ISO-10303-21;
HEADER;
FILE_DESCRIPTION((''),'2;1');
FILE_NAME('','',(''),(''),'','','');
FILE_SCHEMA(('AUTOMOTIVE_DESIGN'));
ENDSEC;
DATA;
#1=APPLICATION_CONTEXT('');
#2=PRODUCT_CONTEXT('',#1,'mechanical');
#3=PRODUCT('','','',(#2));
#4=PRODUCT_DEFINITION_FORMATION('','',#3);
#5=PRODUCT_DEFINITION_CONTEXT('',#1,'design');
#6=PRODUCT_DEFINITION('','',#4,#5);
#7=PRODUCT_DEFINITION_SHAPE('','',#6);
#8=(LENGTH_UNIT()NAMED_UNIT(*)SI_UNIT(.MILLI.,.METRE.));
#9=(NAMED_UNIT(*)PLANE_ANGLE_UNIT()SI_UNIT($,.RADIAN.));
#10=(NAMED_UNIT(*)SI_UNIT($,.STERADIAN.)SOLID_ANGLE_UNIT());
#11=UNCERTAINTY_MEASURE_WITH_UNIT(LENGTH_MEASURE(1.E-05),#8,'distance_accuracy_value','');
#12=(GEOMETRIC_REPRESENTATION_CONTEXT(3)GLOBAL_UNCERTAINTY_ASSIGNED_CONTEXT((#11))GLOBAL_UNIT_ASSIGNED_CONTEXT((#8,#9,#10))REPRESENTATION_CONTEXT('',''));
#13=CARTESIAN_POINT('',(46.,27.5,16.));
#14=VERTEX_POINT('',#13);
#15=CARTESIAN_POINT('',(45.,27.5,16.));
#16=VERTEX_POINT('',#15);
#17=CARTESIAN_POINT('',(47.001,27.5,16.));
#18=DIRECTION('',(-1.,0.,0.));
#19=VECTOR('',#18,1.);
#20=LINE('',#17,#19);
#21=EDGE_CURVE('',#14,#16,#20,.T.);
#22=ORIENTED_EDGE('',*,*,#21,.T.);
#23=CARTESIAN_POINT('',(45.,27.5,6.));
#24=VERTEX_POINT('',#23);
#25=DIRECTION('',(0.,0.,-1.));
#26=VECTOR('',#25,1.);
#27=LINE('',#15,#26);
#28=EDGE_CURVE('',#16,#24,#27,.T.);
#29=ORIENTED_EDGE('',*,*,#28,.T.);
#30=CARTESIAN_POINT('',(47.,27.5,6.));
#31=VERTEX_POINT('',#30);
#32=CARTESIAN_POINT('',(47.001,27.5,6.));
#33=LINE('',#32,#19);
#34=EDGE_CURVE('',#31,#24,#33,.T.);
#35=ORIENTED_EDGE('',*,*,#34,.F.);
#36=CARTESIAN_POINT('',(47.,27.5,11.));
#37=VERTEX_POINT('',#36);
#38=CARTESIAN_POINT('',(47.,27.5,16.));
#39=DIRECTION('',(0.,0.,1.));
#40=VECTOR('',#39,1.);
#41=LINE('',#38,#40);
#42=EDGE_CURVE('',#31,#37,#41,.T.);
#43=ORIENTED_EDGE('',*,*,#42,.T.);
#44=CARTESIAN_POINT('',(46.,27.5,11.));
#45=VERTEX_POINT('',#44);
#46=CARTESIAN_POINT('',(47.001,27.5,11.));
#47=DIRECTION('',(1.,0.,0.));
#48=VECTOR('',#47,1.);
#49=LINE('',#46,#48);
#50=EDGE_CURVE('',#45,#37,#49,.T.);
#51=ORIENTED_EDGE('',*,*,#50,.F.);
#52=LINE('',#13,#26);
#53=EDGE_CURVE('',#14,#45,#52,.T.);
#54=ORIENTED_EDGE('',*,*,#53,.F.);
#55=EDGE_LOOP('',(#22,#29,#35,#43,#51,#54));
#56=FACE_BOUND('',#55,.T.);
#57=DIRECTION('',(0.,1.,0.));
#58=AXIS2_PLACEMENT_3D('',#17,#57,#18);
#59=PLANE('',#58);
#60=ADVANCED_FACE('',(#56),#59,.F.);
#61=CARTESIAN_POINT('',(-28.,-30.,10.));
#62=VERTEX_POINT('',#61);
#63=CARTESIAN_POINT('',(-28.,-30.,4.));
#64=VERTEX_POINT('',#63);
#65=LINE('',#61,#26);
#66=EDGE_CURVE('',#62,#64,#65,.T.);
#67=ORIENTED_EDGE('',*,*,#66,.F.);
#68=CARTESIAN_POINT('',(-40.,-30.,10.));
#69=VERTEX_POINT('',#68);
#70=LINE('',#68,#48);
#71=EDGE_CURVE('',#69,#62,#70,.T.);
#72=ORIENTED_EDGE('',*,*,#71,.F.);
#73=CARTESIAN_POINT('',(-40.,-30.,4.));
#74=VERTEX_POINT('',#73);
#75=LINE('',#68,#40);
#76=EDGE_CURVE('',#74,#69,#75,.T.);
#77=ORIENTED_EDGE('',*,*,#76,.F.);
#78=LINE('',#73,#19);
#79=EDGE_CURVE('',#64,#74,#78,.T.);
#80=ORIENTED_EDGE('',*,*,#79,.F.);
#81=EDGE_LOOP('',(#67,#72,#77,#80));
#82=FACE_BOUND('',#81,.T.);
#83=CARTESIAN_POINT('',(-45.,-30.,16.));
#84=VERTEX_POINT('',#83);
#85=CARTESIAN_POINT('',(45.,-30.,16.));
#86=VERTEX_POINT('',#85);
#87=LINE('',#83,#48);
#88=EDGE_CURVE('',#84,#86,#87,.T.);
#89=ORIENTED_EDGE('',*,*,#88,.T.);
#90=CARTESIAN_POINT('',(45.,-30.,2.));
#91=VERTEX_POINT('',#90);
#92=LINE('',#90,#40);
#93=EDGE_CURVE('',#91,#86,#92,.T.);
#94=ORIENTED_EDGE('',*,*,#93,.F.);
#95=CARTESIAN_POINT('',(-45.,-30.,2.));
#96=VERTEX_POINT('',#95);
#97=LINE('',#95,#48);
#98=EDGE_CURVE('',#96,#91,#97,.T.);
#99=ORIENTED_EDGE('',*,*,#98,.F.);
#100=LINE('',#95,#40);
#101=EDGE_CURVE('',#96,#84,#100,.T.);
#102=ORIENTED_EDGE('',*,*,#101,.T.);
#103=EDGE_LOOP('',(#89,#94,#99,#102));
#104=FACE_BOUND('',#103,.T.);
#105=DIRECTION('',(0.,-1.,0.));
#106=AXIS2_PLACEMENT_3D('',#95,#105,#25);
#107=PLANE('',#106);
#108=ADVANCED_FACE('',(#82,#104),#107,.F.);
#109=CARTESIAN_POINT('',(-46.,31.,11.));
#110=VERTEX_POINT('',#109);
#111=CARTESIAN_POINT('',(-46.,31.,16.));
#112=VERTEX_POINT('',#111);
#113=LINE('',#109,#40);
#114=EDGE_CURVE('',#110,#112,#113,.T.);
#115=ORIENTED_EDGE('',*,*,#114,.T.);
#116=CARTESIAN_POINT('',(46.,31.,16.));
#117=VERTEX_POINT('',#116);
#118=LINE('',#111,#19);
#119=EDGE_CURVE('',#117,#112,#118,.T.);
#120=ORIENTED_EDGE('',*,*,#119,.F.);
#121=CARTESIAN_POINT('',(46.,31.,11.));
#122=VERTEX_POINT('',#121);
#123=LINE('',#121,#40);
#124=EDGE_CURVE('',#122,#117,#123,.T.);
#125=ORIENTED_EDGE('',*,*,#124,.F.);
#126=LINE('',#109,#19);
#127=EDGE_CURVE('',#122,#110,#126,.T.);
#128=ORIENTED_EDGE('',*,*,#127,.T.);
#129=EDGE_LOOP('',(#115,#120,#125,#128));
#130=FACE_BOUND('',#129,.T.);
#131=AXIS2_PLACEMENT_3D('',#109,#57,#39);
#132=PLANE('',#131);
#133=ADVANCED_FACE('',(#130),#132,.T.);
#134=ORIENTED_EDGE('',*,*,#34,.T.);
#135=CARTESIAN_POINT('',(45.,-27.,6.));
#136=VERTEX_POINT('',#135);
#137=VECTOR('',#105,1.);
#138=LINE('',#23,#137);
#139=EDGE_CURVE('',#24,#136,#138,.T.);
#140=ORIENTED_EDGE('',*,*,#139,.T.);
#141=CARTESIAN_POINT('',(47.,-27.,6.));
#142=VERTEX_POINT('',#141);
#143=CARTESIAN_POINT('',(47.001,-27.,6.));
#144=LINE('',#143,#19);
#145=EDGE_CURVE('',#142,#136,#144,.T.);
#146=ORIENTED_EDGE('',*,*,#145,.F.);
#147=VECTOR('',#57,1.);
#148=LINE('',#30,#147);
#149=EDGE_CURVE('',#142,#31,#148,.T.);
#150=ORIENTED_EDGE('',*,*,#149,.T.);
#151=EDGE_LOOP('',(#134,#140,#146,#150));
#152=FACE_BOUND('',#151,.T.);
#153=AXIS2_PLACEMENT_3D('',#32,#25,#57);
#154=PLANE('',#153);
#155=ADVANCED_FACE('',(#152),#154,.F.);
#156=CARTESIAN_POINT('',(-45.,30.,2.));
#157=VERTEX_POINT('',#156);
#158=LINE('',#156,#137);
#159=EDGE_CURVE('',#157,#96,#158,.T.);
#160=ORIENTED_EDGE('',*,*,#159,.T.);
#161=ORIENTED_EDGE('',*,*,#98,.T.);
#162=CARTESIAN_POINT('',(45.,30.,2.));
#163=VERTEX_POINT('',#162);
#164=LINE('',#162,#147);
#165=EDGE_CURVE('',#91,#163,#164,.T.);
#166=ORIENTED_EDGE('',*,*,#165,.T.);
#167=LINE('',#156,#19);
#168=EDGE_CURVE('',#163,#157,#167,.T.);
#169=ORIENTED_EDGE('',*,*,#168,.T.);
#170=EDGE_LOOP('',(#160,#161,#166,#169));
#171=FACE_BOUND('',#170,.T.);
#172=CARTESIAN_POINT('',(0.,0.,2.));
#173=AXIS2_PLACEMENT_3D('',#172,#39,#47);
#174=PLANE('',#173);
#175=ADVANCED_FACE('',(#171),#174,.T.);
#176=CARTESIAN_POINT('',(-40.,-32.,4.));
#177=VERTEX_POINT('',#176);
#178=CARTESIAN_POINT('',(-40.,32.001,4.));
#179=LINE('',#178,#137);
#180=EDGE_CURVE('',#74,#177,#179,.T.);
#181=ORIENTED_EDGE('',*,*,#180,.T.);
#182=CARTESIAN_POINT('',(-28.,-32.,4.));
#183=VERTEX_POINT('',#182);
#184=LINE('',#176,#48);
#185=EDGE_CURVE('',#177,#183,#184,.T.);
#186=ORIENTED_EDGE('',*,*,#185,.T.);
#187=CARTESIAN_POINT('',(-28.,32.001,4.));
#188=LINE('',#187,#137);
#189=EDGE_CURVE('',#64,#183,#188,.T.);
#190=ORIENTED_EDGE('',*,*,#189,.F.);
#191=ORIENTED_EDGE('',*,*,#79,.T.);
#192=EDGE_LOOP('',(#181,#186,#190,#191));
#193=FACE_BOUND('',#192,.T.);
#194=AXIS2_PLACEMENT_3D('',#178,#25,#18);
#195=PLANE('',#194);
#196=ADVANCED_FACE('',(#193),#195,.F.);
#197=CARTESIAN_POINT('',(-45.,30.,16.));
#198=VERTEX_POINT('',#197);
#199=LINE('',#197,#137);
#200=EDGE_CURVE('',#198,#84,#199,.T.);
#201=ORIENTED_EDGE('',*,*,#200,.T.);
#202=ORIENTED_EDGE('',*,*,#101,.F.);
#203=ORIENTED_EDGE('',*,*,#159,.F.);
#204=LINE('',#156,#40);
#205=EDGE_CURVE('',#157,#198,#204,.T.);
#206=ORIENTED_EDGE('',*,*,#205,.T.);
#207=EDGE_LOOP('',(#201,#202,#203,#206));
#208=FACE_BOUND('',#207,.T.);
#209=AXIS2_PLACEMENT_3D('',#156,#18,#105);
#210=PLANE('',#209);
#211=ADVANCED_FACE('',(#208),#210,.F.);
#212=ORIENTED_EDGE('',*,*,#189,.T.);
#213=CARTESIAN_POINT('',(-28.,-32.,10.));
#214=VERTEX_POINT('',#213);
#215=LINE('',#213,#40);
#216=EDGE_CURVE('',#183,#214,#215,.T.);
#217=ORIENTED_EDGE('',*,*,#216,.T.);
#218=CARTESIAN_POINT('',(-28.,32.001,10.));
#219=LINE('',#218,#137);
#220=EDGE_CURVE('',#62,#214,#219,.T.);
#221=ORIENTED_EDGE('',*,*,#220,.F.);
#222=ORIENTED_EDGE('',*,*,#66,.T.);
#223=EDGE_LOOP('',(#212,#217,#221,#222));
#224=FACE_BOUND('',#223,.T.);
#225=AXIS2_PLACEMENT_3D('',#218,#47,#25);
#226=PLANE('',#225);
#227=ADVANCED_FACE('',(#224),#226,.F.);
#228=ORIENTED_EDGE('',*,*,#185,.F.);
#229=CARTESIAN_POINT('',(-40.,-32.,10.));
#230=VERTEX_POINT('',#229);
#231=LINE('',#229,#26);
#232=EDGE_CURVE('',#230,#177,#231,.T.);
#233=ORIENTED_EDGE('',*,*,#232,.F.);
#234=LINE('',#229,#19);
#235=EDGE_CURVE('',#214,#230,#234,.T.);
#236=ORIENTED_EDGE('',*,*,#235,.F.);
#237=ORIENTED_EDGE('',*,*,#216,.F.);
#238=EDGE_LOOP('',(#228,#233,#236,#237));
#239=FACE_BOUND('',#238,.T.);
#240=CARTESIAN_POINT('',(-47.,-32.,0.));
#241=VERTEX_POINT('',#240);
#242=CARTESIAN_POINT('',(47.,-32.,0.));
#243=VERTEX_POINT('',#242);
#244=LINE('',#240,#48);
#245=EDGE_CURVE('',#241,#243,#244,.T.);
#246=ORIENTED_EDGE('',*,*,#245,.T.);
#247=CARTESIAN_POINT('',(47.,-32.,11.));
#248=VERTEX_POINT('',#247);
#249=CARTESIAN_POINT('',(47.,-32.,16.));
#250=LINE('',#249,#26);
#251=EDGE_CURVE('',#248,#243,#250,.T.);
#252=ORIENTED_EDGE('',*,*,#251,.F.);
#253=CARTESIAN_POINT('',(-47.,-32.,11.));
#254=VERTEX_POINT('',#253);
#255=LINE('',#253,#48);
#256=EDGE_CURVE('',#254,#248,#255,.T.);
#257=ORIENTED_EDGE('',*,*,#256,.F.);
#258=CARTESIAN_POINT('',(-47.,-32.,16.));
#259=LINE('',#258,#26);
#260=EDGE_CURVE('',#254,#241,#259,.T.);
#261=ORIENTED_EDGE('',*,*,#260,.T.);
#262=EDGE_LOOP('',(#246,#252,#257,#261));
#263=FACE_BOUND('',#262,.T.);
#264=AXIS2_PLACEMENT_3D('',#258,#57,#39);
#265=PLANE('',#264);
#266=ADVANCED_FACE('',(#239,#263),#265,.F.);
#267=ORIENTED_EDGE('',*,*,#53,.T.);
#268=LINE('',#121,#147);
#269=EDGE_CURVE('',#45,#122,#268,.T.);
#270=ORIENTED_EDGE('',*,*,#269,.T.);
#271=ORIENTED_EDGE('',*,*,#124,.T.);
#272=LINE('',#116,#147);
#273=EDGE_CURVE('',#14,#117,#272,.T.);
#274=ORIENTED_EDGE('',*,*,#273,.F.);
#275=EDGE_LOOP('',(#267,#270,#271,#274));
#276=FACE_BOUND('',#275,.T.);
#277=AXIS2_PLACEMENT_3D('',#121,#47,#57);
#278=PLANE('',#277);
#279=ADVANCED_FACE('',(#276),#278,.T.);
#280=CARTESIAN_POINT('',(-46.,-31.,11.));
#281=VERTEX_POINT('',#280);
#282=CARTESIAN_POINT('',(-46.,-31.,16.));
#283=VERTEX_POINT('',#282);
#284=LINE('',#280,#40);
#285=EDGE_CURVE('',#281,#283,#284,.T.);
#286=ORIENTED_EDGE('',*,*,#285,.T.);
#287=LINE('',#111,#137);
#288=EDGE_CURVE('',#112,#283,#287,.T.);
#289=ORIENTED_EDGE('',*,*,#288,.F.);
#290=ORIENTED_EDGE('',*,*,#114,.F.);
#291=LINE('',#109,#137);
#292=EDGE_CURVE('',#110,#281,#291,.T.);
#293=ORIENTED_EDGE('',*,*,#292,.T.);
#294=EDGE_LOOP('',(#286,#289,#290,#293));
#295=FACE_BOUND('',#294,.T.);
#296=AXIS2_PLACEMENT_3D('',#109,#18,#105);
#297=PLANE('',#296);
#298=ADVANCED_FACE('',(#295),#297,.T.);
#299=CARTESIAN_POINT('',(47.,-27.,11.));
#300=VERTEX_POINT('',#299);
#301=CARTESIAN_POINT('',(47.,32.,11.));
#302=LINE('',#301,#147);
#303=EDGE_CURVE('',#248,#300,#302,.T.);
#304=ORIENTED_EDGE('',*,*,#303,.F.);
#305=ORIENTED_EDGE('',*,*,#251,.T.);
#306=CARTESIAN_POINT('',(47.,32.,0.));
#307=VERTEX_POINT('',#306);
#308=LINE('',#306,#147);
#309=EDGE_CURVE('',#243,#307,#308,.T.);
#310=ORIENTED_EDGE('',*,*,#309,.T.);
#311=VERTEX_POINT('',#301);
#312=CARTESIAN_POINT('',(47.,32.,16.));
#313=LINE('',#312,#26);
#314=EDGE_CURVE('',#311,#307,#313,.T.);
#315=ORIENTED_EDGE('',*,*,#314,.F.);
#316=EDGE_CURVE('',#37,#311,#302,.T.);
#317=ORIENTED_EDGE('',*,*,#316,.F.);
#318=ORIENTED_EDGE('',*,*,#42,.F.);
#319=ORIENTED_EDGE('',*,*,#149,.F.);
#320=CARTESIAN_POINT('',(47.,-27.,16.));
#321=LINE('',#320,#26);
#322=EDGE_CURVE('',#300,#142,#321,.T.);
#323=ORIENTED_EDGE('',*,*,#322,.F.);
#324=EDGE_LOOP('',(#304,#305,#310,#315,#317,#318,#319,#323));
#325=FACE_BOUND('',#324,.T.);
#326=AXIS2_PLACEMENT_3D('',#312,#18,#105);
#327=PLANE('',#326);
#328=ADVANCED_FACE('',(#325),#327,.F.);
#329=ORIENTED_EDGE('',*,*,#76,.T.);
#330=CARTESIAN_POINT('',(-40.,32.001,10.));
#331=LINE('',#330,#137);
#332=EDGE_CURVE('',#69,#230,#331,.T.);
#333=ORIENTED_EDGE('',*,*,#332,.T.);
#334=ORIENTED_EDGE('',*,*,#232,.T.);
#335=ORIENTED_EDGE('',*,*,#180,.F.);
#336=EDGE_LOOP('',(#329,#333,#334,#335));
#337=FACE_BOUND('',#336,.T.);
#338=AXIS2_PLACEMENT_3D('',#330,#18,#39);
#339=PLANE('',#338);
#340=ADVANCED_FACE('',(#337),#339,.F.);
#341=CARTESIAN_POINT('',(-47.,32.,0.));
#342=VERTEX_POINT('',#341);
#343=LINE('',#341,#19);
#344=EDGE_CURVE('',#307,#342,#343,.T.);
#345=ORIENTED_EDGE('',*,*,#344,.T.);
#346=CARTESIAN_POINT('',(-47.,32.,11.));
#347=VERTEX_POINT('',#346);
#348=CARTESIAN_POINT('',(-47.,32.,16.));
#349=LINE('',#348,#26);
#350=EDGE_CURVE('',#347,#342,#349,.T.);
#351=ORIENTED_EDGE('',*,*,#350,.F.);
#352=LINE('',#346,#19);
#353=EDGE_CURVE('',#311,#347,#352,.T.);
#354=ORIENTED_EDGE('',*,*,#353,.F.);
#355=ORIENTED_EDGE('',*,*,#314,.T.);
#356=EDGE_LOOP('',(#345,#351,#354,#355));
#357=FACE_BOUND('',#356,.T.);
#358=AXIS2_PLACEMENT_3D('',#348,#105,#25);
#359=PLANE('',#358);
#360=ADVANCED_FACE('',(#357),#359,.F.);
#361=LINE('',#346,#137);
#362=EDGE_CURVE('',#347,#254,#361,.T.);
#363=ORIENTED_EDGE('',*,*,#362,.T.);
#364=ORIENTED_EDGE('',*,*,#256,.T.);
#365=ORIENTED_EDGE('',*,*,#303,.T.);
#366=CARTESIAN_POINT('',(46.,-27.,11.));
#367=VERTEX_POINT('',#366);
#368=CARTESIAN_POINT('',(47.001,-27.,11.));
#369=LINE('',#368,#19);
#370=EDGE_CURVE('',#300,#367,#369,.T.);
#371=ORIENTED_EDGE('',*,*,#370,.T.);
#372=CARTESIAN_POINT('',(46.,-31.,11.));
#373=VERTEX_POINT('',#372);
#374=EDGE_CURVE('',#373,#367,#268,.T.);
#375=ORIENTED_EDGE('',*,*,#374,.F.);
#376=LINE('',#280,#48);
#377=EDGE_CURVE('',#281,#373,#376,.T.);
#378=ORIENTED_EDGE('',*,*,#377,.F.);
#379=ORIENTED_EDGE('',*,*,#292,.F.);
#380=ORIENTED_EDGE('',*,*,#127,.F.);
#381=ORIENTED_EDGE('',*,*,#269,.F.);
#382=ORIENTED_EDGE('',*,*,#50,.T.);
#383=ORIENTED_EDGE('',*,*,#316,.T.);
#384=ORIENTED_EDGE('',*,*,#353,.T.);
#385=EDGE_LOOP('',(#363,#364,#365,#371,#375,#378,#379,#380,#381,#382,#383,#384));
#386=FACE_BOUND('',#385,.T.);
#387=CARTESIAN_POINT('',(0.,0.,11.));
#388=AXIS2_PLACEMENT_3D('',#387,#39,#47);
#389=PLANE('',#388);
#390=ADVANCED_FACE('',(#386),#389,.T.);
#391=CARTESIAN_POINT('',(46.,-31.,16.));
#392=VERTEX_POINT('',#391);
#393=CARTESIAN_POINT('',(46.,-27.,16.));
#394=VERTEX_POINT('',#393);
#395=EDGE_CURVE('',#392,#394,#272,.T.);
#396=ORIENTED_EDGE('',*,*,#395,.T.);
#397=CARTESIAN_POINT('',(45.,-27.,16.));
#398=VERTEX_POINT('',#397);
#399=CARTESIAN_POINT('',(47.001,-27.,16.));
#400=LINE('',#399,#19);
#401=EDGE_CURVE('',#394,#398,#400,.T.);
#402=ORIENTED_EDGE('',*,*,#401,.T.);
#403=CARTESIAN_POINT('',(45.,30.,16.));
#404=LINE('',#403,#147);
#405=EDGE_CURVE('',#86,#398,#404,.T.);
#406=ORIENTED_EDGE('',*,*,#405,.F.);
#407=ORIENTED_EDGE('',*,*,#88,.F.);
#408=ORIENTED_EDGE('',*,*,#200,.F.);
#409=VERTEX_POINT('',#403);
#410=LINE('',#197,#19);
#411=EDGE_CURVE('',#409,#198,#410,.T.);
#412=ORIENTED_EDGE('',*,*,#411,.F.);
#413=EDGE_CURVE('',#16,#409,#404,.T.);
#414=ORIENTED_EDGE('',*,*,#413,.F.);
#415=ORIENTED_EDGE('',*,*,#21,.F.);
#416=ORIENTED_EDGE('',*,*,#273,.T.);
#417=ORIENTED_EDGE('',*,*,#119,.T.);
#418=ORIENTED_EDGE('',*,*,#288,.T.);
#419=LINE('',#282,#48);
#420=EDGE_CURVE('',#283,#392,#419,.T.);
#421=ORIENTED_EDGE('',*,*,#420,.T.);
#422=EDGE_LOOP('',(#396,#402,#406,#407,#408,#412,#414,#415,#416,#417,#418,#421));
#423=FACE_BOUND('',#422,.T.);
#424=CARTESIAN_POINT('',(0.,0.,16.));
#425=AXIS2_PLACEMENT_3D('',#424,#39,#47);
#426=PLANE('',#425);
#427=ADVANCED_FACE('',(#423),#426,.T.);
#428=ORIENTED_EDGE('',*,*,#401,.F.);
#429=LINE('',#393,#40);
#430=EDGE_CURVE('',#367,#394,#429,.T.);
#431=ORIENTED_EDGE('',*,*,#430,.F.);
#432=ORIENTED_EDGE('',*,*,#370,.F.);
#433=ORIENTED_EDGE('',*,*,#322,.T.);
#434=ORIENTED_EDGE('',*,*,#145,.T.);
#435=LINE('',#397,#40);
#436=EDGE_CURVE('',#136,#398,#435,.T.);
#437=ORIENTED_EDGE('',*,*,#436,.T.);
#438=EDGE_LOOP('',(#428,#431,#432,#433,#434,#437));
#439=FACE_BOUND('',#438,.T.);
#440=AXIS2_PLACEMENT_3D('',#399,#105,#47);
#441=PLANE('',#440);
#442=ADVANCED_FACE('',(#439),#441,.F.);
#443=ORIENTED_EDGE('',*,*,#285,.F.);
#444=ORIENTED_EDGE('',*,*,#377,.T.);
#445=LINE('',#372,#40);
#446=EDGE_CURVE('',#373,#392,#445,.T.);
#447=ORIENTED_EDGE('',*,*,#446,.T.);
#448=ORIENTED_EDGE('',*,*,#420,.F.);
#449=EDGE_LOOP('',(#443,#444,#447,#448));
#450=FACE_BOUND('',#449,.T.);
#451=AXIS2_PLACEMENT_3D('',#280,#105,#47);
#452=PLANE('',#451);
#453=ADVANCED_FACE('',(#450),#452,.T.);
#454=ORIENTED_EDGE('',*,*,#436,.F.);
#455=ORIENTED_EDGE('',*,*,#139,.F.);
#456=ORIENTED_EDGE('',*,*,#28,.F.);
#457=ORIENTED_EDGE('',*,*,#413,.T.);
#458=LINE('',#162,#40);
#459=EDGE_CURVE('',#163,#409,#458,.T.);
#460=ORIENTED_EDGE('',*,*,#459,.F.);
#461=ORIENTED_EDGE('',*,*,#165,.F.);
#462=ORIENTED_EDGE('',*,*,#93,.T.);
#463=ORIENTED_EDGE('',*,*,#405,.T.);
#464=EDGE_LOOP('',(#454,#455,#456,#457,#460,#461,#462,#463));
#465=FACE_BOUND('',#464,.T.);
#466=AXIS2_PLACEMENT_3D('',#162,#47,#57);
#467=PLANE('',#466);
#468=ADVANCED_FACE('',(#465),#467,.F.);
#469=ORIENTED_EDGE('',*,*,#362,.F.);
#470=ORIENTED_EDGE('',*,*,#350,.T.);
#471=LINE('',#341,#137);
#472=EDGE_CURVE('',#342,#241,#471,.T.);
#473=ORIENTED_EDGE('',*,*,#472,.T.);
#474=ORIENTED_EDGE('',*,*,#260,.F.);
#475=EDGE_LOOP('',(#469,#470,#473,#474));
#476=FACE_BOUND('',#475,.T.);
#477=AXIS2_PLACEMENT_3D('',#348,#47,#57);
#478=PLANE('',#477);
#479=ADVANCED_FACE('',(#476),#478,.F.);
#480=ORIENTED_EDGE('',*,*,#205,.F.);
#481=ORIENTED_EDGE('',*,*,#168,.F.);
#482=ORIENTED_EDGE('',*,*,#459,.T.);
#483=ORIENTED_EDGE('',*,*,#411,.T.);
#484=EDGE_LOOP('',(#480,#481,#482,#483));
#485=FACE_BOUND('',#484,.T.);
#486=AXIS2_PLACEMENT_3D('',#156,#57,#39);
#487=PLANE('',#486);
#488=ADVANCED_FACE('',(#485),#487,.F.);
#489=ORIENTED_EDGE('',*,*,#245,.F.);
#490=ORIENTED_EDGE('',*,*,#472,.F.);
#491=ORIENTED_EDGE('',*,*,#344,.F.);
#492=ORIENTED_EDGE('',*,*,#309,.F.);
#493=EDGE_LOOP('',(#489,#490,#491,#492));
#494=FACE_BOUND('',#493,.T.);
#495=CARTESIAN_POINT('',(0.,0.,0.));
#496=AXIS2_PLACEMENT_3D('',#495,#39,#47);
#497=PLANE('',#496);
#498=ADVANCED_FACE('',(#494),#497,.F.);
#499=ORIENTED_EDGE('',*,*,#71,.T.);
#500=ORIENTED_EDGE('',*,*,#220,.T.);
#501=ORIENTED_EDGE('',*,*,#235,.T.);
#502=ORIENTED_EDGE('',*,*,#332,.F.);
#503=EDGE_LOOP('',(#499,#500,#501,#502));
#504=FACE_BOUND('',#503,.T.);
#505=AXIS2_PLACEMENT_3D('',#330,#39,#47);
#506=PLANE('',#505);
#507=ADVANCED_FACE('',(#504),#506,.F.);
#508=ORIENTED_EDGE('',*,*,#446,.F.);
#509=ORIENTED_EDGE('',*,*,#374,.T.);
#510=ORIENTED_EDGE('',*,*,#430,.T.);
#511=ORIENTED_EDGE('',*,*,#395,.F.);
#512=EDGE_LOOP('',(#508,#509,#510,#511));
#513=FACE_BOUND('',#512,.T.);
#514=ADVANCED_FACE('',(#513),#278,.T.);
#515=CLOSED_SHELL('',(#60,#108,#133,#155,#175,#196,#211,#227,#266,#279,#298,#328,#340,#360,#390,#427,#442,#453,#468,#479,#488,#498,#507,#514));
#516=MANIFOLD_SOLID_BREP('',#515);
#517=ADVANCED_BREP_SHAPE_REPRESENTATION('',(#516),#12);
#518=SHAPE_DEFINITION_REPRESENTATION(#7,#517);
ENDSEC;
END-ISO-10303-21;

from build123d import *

# Parameters (mm, degrees)
SKETCH1_W           = 94
SKETCH1_H           = 64
BOSS_EXTRUDE1_DEPTH = 16
SKETCH2_W           = 90
SKETCH2_H           = 60
CUT_EXTRUDE1_DEPTH  = 14
SKETCH4_W           = 94
SKETCH4_H           = 64
SKETCH4_W_2         = 92
SKETCH4_H_2         = 62
CUT_EXTRUDE2_DEPTH  = 5
CUT_EXTRUDE3_REACH  = 83
SKETCH6_W           = 12
SKETCH6_H           = 6
CUT_EXTRUDE4_REACH  = 100.712
SKETCH8_W           = 10
SKETCH8_H           = 54.5


with BuildPart() as part:
    # Sketch1 → Boss-Extrude1 (new body)
    with BuildSketch(Plane.XY):
        Rectangle(SKETCH1_W, SKETCH1_H)
    extrude(amount=BOSS_EXTRUDE1_DEPTH)

    # Sketch2 → Cut-Extrude1 (cut)
    with BuildSketch(Plane.XY.offset(16)):
        Rectangle(SKETCH2_W, SKETCH2_H)
    extrude(amount=-CUT_EXTRUDE1_DEPTH, mode=Mode.SUBTRACT)

    # Sketch4 → Cut-Extrude2 (cut)
    with BuildSketch(Plane.XY.offset(16)):
        Rectangle(SKETCH4_W, SKETCH4_H)
        Rectangle(SKETCH4_W_2, SKETCH4_H_2, mode=Mode.SUBTRACT)
    extrude(amount=-CUT_EXTRUDE2_DEPTH, mode=Mode.SUBTRACT)

    # Sketch6 → Cut-Extrude3 (cut, up to next)
    with BuildSketch(Plane.XZ.offset(32), mode=Mode.PRIVATE) as cut_extrude3_sk1:
        with Locations((-34, 7)):
            Rectangle(SKETCH6_W, SKETCH6_H)
    cut_extrude3_tool1 = extrude(cut_extrude3_sk1.sketch, amount=-CUT_EXTRUDE3_REACH, mode=Mode.PRIVATE) & part.part
    add(cut_extrude3_tool1.solids().sort_by_distance((-34, -32, 7))[0], mode=Mode.SUBTRACT)

    # Sketch8 → Cut-Extrude4 (cut, up to next)
    with BuildSketch(Plane.ZY.offset(-45), mode=Mode.PRIVATE) as cut_extrude4_sk1:
        with Locations((11, 0.25)):
            Rectangle(SKETCH8_W, SKETCH8_H)
    cut_extrude4_tool1 = extrude(cut_extrude4_sk1.sketch, amount=-CUT_EXTRUDE4_REACH, mode=Mode.PRIVATE) & part.part
    add(cut_extrude4_tool1.solids().sort_by_distance((45, 0.25, 11))[0], mode=Mode.SUBTRACT)


solid = part.part
